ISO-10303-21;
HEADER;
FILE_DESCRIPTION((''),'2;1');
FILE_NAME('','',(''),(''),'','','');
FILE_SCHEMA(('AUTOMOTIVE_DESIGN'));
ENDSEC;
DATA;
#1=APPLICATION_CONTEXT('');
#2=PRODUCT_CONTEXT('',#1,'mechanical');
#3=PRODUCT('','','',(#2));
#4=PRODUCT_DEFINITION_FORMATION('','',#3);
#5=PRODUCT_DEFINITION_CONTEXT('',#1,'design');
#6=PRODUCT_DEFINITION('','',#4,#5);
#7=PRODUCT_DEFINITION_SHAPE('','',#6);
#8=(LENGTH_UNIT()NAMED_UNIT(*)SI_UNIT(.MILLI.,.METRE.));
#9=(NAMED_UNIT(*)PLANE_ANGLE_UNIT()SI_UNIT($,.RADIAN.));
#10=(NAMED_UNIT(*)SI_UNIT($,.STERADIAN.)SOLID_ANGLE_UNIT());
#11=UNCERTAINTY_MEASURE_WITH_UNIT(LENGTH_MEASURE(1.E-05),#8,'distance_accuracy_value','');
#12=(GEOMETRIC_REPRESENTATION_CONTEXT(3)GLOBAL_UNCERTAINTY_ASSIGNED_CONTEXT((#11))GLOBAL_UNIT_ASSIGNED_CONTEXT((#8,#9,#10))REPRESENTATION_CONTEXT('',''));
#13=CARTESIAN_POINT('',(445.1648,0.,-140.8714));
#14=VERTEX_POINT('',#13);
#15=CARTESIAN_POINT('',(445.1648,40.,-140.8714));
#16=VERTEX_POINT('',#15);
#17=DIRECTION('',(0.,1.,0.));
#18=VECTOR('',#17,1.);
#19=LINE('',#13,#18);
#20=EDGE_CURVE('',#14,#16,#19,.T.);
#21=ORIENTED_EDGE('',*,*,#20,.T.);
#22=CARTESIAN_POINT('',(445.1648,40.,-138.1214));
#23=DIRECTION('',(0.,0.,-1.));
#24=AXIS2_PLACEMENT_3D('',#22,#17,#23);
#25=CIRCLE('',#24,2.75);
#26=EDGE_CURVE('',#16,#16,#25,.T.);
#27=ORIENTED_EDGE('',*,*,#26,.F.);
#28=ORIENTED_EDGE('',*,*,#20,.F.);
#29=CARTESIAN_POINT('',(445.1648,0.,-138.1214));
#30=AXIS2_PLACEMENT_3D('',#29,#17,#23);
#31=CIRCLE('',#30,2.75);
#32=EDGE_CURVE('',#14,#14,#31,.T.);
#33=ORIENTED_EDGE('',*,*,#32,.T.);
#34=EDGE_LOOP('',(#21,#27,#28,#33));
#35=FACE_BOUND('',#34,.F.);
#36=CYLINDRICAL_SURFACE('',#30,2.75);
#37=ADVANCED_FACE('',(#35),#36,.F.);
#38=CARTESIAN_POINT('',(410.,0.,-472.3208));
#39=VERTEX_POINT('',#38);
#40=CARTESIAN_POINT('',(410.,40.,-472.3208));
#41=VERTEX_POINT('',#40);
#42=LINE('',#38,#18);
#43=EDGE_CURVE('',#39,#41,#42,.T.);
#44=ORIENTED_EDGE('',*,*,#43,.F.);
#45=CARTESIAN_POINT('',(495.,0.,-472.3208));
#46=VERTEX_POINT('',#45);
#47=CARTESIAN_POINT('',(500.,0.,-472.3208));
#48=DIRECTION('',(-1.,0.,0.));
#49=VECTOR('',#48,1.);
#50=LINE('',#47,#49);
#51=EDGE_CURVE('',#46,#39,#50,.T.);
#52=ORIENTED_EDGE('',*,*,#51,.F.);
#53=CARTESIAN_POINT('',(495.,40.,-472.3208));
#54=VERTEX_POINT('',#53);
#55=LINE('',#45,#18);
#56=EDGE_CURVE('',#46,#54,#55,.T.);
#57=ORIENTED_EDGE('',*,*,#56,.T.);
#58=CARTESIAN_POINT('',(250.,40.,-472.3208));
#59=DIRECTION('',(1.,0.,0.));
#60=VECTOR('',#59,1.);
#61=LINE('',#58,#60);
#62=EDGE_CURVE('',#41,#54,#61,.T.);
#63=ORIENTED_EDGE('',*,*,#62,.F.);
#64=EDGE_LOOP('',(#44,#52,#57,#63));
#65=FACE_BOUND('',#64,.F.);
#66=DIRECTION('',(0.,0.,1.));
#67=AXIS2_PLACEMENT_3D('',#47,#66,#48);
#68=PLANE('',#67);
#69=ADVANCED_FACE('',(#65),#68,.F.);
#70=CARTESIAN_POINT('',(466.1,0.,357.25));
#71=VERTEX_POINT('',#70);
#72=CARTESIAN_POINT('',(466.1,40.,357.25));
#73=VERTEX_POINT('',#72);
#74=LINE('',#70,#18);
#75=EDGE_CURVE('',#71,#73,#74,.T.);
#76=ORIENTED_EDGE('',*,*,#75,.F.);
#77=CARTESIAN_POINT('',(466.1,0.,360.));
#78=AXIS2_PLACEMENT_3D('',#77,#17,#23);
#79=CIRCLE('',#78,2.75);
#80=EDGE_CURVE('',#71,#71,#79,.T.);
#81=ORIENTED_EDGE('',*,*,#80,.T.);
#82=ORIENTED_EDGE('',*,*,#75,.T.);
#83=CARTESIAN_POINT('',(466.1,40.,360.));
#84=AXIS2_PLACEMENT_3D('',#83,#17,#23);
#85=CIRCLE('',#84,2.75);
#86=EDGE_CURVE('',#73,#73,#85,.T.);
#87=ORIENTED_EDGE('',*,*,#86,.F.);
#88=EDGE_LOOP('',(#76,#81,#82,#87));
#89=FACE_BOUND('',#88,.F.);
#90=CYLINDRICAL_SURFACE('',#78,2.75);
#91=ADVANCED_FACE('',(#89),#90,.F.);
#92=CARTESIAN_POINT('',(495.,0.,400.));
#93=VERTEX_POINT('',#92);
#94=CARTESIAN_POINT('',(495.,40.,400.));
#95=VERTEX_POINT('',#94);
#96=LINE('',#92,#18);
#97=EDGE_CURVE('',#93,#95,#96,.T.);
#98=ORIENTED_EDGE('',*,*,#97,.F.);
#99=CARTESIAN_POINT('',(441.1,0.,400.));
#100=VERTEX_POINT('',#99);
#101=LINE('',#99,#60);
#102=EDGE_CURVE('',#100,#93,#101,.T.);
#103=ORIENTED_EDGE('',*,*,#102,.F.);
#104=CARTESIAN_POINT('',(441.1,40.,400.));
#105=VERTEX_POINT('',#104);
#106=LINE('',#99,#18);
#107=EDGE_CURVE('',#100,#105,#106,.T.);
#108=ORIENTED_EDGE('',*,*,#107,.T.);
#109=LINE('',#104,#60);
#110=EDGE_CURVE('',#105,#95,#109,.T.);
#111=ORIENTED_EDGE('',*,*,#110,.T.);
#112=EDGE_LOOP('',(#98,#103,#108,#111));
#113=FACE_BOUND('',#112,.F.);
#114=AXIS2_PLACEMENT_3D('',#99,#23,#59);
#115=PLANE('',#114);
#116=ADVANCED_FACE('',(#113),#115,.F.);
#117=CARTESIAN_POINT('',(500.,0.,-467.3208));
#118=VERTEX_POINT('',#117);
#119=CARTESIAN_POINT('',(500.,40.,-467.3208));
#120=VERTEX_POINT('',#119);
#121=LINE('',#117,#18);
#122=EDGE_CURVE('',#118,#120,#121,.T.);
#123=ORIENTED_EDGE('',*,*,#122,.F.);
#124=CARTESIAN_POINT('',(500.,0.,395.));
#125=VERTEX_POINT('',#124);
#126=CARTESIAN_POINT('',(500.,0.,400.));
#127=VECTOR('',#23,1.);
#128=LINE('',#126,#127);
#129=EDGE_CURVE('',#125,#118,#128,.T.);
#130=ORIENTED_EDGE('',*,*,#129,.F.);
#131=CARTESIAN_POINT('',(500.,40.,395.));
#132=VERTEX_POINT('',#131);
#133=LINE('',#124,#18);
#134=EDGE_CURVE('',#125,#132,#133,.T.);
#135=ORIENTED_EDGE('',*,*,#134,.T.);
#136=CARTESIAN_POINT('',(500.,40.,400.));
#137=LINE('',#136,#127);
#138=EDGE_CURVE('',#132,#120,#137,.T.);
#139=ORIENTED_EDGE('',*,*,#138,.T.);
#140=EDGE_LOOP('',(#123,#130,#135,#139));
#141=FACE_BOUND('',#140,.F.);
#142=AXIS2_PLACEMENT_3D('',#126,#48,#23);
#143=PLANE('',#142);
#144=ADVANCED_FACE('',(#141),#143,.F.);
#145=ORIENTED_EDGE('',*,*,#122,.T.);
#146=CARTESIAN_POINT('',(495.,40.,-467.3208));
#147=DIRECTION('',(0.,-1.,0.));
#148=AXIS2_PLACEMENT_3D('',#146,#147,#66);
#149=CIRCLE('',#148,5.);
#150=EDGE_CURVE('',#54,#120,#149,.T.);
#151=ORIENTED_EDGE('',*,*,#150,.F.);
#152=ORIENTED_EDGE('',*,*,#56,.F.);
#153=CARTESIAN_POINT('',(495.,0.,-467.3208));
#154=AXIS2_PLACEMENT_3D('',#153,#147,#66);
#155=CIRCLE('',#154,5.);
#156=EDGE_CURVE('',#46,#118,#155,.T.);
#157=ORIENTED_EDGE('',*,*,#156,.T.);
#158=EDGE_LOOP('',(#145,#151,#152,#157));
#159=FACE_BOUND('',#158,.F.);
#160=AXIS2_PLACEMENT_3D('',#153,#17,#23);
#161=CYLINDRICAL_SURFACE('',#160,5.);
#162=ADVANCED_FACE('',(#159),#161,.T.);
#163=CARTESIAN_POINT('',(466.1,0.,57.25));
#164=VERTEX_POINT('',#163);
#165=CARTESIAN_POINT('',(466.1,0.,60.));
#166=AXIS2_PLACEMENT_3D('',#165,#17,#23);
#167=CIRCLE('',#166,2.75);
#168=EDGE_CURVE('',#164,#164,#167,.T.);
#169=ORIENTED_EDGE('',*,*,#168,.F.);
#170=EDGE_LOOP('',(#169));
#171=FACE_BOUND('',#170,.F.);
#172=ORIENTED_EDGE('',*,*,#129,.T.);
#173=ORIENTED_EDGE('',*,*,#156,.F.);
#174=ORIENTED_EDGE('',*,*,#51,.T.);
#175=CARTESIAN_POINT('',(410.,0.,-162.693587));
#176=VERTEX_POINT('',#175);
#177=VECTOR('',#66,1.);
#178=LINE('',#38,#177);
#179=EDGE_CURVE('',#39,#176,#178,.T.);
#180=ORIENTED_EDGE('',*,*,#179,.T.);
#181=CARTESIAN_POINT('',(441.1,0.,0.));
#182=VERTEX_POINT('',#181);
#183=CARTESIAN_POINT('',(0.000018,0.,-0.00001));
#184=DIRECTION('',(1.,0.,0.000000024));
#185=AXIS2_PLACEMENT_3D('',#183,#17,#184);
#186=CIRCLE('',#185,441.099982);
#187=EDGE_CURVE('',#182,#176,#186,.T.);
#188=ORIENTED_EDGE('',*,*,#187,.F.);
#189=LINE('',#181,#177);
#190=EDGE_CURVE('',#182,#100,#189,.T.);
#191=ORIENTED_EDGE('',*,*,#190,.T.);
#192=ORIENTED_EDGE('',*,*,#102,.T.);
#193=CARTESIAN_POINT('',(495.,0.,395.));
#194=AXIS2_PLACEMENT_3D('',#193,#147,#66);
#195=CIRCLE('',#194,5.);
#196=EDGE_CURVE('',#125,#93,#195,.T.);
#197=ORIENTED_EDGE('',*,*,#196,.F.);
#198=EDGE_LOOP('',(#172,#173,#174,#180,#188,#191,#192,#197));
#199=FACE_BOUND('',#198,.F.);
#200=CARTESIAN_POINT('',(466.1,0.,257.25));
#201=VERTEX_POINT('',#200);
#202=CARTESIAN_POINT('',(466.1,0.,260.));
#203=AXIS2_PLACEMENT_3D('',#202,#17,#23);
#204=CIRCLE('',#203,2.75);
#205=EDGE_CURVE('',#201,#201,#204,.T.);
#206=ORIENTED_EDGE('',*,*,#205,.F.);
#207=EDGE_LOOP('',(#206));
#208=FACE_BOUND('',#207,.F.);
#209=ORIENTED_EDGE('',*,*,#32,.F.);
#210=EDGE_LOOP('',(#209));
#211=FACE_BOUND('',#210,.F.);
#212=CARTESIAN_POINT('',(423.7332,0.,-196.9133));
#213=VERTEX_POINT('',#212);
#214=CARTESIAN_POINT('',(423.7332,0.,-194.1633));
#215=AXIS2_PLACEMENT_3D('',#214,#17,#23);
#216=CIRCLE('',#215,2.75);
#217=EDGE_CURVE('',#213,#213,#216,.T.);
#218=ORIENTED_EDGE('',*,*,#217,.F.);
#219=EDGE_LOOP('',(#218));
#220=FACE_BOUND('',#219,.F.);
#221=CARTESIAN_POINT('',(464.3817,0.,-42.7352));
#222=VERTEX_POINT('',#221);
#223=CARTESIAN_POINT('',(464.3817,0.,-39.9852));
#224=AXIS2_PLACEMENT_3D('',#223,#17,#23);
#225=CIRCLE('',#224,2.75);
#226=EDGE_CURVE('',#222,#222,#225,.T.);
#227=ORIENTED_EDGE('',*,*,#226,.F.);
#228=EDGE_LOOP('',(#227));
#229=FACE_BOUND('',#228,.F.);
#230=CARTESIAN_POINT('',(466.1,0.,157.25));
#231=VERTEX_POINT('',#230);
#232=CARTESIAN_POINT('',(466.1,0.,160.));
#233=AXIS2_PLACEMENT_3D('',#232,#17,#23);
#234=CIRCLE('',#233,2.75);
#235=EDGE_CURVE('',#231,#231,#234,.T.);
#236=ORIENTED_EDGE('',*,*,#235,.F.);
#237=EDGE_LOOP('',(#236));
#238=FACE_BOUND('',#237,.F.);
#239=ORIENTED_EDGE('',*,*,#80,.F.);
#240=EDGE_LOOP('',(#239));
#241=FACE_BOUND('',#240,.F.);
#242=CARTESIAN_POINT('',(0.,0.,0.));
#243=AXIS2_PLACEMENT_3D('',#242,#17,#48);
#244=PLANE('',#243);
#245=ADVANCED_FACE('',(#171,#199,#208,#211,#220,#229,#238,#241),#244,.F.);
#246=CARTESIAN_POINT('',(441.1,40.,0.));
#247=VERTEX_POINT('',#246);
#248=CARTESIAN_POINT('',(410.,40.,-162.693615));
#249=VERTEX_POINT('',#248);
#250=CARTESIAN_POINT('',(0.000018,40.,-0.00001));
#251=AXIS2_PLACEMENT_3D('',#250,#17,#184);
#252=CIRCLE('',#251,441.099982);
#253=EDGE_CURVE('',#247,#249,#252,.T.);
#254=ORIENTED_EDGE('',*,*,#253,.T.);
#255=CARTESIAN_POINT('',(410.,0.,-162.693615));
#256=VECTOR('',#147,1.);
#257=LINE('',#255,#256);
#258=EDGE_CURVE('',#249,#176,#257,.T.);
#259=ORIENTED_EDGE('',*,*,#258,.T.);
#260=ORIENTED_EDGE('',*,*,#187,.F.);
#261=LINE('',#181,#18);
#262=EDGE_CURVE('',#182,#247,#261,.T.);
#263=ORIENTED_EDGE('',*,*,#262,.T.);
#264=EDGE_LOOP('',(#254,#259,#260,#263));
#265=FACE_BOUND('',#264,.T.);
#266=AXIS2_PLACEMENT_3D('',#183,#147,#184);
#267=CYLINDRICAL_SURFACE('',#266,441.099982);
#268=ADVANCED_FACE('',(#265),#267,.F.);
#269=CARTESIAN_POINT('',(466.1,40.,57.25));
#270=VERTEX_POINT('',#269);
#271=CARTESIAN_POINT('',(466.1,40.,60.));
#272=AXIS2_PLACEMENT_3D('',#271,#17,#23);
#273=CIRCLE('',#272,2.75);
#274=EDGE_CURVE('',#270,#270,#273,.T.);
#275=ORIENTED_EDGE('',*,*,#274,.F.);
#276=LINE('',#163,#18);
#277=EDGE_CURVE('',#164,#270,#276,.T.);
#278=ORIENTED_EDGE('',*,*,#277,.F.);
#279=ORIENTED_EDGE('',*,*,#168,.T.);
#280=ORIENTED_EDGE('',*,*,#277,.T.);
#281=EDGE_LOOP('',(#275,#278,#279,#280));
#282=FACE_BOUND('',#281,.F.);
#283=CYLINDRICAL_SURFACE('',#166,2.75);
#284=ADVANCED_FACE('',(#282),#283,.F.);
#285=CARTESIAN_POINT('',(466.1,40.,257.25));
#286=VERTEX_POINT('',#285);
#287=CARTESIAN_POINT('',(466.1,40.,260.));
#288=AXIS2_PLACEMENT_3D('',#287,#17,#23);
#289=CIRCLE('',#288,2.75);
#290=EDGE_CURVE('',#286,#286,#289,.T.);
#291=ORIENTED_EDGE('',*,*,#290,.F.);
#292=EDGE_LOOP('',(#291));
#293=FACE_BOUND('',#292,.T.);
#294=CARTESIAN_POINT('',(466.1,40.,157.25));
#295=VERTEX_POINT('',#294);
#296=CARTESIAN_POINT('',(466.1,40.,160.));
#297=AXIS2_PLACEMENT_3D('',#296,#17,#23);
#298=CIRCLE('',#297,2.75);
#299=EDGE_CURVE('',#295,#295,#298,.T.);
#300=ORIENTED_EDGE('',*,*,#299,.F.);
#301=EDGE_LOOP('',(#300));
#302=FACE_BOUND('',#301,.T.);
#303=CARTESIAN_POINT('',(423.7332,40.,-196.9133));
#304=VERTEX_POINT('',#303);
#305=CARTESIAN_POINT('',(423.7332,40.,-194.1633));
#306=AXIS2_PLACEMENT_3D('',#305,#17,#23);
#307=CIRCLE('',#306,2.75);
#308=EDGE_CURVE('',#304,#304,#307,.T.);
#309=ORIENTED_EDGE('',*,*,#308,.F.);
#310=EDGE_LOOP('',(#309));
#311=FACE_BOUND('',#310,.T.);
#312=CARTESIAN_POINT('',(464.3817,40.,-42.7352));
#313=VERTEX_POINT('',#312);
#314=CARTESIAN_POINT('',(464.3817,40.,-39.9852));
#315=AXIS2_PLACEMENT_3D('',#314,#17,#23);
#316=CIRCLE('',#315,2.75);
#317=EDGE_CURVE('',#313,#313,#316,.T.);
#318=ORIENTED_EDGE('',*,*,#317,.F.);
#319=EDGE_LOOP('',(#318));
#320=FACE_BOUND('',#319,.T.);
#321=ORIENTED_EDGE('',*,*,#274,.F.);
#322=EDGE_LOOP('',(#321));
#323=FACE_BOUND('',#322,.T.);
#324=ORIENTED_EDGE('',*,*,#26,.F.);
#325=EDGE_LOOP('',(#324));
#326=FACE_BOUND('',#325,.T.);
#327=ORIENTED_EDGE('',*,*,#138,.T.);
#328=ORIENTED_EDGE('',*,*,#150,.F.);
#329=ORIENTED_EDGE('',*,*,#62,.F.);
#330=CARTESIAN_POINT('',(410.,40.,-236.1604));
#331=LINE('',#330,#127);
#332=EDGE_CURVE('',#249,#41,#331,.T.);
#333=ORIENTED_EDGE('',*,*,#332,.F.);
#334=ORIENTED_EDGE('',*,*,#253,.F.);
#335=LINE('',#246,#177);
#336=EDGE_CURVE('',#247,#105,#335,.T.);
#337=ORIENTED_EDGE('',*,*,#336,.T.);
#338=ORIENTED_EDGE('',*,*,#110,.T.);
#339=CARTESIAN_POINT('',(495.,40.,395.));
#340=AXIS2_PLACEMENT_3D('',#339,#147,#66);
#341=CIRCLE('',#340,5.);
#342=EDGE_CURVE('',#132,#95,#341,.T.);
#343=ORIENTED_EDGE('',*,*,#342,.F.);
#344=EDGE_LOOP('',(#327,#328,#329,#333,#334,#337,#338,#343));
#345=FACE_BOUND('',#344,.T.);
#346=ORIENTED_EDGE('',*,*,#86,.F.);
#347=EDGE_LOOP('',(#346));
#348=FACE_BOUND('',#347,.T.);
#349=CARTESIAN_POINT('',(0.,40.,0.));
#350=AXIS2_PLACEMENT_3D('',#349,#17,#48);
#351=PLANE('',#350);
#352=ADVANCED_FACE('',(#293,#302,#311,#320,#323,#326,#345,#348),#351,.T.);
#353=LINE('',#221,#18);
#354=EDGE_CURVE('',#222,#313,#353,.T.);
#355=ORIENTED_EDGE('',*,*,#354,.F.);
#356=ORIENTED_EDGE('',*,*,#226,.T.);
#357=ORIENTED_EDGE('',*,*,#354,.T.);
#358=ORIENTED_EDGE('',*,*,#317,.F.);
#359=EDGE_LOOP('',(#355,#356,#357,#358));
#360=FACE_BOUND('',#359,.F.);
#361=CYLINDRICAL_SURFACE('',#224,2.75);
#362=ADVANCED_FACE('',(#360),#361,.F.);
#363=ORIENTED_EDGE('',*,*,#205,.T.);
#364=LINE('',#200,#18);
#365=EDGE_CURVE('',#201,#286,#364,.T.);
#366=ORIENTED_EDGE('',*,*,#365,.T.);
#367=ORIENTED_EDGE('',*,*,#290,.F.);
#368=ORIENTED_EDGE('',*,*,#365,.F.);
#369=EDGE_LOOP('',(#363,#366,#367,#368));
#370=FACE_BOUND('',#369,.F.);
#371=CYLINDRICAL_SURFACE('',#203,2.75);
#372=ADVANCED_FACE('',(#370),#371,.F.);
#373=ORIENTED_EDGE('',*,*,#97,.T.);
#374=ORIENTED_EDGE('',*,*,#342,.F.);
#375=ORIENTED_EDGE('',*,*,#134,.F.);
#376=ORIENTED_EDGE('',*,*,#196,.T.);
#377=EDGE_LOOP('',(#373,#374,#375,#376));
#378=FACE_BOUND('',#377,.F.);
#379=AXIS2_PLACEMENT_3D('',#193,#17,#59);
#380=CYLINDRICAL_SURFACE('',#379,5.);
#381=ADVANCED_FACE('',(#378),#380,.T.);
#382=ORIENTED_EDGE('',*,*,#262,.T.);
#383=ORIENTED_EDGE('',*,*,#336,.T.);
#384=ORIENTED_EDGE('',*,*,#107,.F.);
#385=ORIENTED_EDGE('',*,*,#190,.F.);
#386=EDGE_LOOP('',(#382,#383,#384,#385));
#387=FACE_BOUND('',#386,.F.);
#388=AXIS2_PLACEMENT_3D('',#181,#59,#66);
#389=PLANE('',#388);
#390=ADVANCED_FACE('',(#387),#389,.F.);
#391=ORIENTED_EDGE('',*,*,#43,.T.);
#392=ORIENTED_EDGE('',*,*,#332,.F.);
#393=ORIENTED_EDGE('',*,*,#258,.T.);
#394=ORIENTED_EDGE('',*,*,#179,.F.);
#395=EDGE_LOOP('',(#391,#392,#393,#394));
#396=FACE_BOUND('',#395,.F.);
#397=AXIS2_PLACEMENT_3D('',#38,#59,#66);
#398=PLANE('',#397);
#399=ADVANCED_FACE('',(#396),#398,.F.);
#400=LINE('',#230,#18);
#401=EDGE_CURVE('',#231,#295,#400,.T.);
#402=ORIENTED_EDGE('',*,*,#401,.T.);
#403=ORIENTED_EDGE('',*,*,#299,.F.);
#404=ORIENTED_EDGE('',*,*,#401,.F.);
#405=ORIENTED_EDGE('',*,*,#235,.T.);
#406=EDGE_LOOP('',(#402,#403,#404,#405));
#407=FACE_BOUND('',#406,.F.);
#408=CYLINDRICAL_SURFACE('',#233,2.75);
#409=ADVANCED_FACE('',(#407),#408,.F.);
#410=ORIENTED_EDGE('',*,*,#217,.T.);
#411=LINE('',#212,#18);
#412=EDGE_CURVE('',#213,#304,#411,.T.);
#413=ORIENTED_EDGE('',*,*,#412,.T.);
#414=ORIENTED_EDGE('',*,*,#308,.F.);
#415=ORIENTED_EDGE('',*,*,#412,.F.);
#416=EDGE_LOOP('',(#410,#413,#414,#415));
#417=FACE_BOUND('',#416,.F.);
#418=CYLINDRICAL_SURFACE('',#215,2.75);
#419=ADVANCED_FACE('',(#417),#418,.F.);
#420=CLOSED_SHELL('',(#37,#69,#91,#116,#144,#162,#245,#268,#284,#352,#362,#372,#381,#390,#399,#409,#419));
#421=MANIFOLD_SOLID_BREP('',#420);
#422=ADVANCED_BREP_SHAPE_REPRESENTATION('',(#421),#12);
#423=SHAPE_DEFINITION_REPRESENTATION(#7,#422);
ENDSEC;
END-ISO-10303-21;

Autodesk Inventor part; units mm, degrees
ref_plane "YZ Plane" through (0, 0, 0) normal (1, 0, 0) x (0, 1, 0)
ref_plane "XZ Plane" through (0, 0, 0) normal (0, 1, 0) x (-1, 0, 0)
ref_plane "XY Plane" through (0, 0, 0) normal (0, 0, 1) x (1, 0, 0)
sketch "Sketch1" plane through (0, 0, 0) normal (0, 1, 0) x (-1, 0, 0)
  line L0 (0, 329.241) -> (0, -329.241) construction
  line L1 (203.5937, 0) -> (-203.5937, 0) construction
  arc A0 (-441.1, 0) -> (220, -382.3208) centre (0, 0) ccw
  line L2 (-441.1, 0) -> (-441.1, 400)
  line L3 (-441.1, 400) -> (-500, 400)
  line L4 (-500, 400) -> (-500, -500)
  line L5 (-500, -500) -> (220, -500)
  line L6 (220, -500) -> (220, -382.3208)
  dimension "d0" = 500
  dimension "d1" = 400
  dimension "d2" = 500
  dimension "d3" = 441.1
  dimension "d4" = 720
extrude "Extrusion1" add sketch "Sketch1" along normal blind 40
sketch "Sketch3" plane through (0, 0, 0) normal (0, -1, 0) x (1, 0, 0)
  line L0 (500, -472.3208) -> (410, -472.3208)
  line L1 (410, -472.3208) -> (410, 417.6792)
  line L2 (410, 417.6792) -> (500, 417.6792)
  line L3 (500, 417.6792) -> (500, -472.3208)
  line L4 (500, 400) -> (500, -500) projected
  arc A0 (-220, -382.3208) -> (441.1, 0) centre (0, 0) ccw projected
  line L5 (441.1, 400) -> (500, 400) projected
  line L6 (-562.8742, 618.3402) -> (964.0911, 618.3402)
  line L7 (964.0911, 618.3402) -> (964.0911, -811.0554)
  line L8 (964.0911, -811.0554) -> (-562.8742, -811.0554)
  line L9 (-562.8742, -811.0554) -> (-562.8742, 618.3402)
  dimension "d41" = 890
  dimension "d42" = 90
  dimension "d71" = 17.6792
sketch "Sketch4" plane through (0, 0, 0) normal (0, -1, 0) x (1, 0, 0)
  line L0 (441.1, 400) -> (500, 400) construction
  line L1 (441.1, 0) -> (441.1, 400) construction
  arc A0 (-220, -382.3208) -> (441.1, 0) centre (0, 0) ccw construction
  line L2 (464.3817, -39.9852) -> (0, 0) construction
  line L3 (0, 0) -> (445.1648, -138.1214) construction
  line L4 (423.7332, -194.1633) -> (0, 0) construction
  line L5 (360.2723, -295.7246) -> (0, 0) construction
  line L6 (289.0138, -365.6778) -> (0, 0) construction
  line L7 (389.8771, -255.4312) -> (0, 0) construction
  line L8 (326.5218, -332.615) -> (0, 0) construction
  line L9 (230.9911, -404.8361) -> (0, 0) construction
  line L10 (139.32, -444.7911) -> (0, 0) construction
  line L11 (41.2359, -464.2723) -> (0, 0) construction
  line L12 (464.3817, -39.9852) -> (445.1648, -138.1214) construction
  line L13 (445.1648, -138.1214) -> (423.7332, -194.1633) construction
  line L14 (423.7332, -194.1633) -> (389.8771, -255.4312) construction
  line L15 (389.8771, -255.4312) -> (360.2723, -295.7246) construction
  line L16 (360.2723, -295.7246) -> (326.5218, -332.615) construction
  line L17 (326.5218, -332.615) -> (289.0138, -365.6778) construction
  line L18 (289.0138, -365.6778) -> (230.9911, -404.8361) construction
  line L19 (230.9911, -404.8361) -> (139.32, -444.7911) construction
  line L20 (139.32, -444.7911) -> (41.2359, -464.2723) construction
  line L21 (-58.7462, -462.3831) -> (0, 0) construction
  line L22 (-156.0243, -439.2102) -> (0, 0) construction
  line L23 (-200, -421.0098) -> (0, 0) construction
  line L24 (41.2359, -464.2723) -> (-58.7462, -462.3831) construction
  line L25 (-58.7462, -462.3831) -> (-156.0243, -439.2102) construction
  line L26 (-200, -421.0098) -> (-156.0243, -439.2102) construction
  line L27 (-220, -500) -> (-220, -382.3208) construction
  point P0 (466.1, 360)
  point P1 (466.1, 260)
  point P2 (466.1, 160)
  point P3 (466.1, 60)
  dimension "d50" = 40
  dimension "d51" = 100
  dimension "d52" = 100
  dimension "d53" = 100
  dimension "d54" = 25
  dimension "d55" = 466.1
  dimension "d56" = 100
  dimension "d57" = 100
  dimension "d58" = 60
  dimension "d59" = 70
  dimension "d60" = 50
  dimension "d61" = 70
  dimension "d62" = 100
  dimension "d63" = 20
hole "Hole1" at (-200, 0, -421.0098) at (-156.0243, 0, -439.2102) at (-58.7462, 0, -462.3831) at (41.2359, 0, -464.2723) at (139.32, 0, -444.7911) at (230.9911, 0, -404.8361) at (289.0138, 0, -365.6778) at (326.5218, 0, -332.615) at (360.2723, 0, -295.7246) at (389.8771, 0, -255.4312) at (423.7332, 0, -194.1633) at (445.1648, 0, -138.1214) at (464.3817, 0, -39.9852) at (466.1, 0, 60) at (466.1, 0, 160) at (466.1, 0, 260) at (466.1, 0, 360) direction (0, 1, 0) diameter 5.5 end through all clearance for "Countersunk Flat Head Screw DIN EN ISO 2009" size "M5" standard "DIN"
extrude "Extrusion2" cut sketch "Sketch3" against normal through all
fillet "Fillet1" radius 5 2 edges at (500, 20, 400) (500, 20, -472.3208)
properties part number "boundaryV1"
